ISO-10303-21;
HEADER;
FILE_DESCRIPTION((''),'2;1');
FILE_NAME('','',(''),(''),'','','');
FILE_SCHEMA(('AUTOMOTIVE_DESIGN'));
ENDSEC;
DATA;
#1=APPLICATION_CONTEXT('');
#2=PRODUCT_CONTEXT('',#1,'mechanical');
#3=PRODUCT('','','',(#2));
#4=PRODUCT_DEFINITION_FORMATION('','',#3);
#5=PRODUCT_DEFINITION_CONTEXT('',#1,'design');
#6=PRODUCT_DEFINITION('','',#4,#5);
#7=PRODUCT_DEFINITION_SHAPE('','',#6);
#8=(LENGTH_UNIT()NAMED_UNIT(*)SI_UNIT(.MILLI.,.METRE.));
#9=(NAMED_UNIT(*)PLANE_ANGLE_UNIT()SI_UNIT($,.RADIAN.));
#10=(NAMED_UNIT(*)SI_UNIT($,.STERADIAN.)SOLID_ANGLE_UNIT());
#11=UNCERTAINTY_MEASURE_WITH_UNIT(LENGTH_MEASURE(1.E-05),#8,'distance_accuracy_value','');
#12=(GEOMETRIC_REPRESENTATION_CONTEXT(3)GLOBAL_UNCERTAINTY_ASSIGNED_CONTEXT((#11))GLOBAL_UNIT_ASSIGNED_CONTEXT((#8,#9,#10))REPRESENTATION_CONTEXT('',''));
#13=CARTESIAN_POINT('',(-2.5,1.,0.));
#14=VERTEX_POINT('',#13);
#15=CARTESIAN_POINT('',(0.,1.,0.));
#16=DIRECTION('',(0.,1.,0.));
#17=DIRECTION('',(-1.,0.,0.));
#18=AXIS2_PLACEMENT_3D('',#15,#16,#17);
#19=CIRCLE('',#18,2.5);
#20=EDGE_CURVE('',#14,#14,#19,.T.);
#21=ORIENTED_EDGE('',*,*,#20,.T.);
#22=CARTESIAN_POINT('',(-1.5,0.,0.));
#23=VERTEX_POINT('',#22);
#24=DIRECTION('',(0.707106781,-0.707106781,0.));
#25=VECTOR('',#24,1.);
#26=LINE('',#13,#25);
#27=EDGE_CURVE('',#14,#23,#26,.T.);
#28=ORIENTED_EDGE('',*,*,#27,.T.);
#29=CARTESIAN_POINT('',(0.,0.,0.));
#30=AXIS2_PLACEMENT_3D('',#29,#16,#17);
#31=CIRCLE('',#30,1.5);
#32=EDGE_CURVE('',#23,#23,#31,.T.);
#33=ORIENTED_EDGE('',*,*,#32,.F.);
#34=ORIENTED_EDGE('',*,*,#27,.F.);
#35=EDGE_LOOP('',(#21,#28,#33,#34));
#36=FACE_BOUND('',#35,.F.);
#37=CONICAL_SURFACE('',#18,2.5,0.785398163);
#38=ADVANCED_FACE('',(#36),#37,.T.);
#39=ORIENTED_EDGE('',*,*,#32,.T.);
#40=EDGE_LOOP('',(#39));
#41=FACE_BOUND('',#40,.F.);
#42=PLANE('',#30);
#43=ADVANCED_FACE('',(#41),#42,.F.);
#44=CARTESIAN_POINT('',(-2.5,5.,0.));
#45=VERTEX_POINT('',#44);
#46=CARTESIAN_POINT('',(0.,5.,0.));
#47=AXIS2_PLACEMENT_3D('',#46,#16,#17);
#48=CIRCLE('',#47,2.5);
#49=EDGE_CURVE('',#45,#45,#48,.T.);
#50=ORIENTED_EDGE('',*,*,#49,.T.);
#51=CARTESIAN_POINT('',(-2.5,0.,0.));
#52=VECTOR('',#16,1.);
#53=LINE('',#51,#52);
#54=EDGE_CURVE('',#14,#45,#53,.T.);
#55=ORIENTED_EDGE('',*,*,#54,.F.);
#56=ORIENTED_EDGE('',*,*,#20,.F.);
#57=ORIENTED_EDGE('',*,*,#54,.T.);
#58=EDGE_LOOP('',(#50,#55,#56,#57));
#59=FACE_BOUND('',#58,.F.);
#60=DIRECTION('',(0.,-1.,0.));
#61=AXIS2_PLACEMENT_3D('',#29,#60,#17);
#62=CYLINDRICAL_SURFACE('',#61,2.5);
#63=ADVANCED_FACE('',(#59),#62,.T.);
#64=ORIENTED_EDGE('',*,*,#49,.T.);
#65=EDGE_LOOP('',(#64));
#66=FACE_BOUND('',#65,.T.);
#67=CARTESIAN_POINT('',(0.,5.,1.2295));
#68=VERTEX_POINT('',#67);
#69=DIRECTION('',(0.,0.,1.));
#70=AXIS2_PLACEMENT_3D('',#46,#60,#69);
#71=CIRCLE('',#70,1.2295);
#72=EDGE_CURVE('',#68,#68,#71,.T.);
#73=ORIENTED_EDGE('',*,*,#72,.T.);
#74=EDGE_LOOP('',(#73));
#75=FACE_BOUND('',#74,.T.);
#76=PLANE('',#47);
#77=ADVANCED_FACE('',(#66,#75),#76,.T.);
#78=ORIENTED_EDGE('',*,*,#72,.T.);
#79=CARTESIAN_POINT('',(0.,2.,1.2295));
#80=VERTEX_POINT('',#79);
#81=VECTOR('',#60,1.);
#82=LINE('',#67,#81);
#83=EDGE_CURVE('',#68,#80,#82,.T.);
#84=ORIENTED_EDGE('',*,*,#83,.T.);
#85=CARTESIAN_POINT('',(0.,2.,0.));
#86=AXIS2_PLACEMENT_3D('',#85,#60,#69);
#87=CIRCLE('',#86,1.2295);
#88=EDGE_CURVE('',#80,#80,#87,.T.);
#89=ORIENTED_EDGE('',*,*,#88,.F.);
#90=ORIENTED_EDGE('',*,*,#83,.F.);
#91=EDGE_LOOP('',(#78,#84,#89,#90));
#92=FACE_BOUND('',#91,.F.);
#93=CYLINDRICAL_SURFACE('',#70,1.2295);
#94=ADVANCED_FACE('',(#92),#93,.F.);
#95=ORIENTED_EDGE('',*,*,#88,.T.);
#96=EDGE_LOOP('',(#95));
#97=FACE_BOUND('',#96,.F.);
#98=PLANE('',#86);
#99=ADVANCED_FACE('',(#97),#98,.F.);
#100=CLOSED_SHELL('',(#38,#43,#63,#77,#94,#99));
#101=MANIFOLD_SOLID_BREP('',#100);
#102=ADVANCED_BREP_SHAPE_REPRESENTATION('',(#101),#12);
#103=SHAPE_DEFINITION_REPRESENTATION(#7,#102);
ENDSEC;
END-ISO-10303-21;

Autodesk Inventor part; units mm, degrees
ref_plane "YZ Plane" through (0, 0, 0) normal (1, 0, 0) x (0, 1, 0)
ref_plane "XZ Plane" through (0, 0, 0) normal (0, 1, 0) x (-1, 0, 0)
ref_plane "XY Plane" through (0, 0, 0) normal (0, 0, 1) x (1, 0, 0)
sketch "Sketch1" plane through (0, 0, 0) normal (0, 1, 0) x (-1, 0, 0)
  circle A0 centre (0, 0) radius 2.5
  dimension "d0" = 5
extrude "Extrusion1" add sketch "Sketch1" along normal blind 5
chamfer "Chamfer1" distance 1 angle 45 1 edges at (2.5, 0, 0)
sketch "Sketch2" plane through (0, 5, 0) normal (0, 1, 0) x (1, 0, 0)
  point P0 (0, 0)
  point P1 (0, 0)
hole "Hole1" at (0, 5, 0) direction (0, -1, 0) diameter 2.459 depth 3 thread size "M3x0.5" class "6H" standard "ISO Metric profile"
properties part number "Insert" material "Brass, Soft Yellow"
